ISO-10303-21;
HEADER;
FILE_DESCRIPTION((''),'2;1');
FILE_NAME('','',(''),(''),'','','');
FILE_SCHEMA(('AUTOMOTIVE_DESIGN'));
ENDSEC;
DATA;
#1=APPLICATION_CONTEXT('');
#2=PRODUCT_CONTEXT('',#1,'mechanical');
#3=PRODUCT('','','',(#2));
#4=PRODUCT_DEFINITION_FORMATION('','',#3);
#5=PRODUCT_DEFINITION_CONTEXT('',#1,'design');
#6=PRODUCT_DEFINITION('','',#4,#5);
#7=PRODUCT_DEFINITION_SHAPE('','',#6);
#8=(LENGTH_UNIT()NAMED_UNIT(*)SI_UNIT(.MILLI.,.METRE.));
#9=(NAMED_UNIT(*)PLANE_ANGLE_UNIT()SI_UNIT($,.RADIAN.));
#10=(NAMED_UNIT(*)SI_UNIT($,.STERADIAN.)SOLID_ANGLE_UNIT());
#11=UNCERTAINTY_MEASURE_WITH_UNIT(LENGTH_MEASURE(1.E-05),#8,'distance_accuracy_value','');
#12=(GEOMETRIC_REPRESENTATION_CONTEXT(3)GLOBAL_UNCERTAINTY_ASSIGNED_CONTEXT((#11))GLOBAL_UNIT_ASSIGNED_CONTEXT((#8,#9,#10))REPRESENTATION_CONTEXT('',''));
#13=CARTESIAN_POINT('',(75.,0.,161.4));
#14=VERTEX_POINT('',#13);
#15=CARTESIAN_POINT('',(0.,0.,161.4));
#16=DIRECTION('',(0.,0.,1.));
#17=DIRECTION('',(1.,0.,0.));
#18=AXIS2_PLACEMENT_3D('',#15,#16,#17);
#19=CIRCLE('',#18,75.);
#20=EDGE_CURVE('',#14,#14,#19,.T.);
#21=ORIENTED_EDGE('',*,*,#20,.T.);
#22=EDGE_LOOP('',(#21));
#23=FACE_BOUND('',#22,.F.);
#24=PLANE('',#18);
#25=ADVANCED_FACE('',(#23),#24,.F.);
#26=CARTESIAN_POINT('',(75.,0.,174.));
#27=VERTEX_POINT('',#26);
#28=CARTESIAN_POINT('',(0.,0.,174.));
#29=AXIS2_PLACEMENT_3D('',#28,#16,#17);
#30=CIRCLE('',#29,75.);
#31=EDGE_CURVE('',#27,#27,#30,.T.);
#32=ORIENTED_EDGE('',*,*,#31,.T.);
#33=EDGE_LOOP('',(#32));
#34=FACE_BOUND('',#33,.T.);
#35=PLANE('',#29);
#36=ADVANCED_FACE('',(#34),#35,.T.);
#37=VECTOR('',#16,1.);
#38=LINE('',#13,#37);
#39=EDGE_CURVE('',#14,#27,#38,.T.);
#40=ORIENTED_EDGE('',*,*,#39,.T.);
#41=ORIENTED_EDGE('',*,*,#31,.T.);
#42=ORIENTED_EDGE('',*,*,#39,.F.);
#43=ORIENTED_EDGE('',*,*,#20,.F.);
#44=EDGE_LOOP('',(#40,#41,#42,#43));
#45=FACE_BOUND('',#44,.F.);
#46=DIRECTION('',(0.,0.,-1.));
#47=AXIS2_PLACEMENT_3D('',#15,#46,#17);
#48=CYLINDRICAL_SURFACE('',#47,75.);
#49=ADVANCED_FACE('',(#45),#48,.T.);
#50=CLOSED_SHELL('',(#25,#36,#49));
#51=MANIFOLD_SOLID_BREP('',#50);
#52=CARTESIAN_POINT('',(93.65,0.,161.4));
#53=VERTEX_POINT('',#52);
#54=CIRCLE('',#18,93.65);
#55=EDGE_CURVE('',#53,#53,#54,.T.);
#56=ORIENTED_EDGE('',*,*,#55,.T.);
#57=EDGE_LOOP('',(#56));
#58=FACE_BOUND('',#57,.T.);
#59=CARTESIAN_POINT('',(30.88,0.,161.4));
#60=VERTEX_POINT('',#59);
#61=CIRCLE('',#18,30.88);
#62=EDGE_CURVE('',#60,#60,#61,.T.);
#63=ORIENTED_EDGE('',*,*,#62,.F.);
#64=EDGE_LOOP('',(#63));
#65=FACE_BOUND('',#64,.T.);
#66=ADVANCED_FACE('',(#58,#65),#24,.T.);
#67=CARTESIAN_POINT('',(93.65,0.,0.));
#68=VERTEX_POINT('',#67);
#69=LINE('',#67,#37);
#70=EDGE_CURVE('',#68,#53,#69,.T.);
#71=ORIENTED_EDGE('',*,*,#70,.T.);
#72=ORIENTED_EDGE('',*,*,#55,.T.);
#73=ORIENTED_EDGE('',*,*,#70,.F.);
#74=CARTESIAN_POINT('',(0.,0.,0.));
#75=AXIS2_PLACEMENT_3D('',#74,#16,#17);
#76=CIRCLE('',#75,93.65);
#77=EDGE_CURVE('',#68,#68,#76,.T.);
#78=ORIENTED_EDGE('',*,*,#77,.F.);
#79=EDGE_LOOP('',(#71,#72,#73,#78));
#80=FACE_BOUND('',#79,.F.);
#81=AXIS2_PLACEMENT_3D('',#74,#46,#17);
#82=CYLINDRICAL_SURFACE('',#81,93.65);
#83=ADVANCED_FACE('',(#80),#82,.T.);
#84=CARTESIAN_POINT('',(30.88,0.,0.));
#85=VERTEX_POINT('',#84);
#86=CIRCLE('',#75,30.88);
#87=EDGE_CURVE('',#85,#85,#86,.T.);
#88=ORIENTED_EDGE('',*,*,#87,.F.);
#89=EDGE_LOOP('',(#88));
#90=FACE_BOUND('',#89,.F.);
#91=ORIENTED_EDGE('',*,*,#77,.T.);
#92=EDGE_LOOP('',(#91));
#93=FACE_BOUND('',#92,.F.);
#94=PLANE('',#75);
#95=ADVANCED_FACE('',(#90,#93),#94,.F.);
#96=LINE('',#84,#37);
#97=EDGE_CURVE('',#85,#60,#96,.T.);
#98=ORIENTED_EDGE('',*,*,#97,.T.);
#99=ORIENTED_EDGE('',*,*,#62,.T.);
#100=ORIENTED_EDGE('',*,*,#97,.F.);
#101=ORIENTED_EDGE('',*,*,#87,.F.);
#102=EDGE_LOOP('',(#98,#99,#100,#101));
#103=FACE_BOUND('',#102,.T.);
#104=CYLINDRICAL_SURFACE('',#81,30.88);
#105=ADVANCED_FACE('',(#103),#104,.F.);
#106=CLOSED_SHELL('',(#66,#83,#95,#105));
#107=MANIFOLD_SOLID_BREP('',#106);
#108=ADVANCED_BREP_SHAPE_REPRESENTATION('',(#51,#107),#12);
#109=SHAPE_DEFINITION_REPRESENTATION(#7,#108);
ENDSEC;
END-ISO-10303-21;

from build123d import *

# Parameters (mm, degrees)
CYLINDER001_R     = 75
CYLINDER001_DEPTH = 12.6
TUBE_R            = 93.65
TUBE_R_2          = 30.88
TUBE_DEPTH        = 161.4


with BuildPart() as connector:
    # Cylinder001 → Cylinder001 (new body)
    with BuildSketch(Plane.XY.offset(161.4)):
        Circle(CYLINDER001_R)
    extrude(amount=CYLINDER001_DEPTH)


with BuildPart() as sensor:
    # Tube → Tube (new body)
    with BuildSketch(Plane.XY):
        Circle(TUBE_R)
        Circle(TUBE_R_2, mode=Mode.SUBTRACT)
    extrude(amount=TUBE_DEPTH)


solid = Compound([connector.part, sensor.part])
